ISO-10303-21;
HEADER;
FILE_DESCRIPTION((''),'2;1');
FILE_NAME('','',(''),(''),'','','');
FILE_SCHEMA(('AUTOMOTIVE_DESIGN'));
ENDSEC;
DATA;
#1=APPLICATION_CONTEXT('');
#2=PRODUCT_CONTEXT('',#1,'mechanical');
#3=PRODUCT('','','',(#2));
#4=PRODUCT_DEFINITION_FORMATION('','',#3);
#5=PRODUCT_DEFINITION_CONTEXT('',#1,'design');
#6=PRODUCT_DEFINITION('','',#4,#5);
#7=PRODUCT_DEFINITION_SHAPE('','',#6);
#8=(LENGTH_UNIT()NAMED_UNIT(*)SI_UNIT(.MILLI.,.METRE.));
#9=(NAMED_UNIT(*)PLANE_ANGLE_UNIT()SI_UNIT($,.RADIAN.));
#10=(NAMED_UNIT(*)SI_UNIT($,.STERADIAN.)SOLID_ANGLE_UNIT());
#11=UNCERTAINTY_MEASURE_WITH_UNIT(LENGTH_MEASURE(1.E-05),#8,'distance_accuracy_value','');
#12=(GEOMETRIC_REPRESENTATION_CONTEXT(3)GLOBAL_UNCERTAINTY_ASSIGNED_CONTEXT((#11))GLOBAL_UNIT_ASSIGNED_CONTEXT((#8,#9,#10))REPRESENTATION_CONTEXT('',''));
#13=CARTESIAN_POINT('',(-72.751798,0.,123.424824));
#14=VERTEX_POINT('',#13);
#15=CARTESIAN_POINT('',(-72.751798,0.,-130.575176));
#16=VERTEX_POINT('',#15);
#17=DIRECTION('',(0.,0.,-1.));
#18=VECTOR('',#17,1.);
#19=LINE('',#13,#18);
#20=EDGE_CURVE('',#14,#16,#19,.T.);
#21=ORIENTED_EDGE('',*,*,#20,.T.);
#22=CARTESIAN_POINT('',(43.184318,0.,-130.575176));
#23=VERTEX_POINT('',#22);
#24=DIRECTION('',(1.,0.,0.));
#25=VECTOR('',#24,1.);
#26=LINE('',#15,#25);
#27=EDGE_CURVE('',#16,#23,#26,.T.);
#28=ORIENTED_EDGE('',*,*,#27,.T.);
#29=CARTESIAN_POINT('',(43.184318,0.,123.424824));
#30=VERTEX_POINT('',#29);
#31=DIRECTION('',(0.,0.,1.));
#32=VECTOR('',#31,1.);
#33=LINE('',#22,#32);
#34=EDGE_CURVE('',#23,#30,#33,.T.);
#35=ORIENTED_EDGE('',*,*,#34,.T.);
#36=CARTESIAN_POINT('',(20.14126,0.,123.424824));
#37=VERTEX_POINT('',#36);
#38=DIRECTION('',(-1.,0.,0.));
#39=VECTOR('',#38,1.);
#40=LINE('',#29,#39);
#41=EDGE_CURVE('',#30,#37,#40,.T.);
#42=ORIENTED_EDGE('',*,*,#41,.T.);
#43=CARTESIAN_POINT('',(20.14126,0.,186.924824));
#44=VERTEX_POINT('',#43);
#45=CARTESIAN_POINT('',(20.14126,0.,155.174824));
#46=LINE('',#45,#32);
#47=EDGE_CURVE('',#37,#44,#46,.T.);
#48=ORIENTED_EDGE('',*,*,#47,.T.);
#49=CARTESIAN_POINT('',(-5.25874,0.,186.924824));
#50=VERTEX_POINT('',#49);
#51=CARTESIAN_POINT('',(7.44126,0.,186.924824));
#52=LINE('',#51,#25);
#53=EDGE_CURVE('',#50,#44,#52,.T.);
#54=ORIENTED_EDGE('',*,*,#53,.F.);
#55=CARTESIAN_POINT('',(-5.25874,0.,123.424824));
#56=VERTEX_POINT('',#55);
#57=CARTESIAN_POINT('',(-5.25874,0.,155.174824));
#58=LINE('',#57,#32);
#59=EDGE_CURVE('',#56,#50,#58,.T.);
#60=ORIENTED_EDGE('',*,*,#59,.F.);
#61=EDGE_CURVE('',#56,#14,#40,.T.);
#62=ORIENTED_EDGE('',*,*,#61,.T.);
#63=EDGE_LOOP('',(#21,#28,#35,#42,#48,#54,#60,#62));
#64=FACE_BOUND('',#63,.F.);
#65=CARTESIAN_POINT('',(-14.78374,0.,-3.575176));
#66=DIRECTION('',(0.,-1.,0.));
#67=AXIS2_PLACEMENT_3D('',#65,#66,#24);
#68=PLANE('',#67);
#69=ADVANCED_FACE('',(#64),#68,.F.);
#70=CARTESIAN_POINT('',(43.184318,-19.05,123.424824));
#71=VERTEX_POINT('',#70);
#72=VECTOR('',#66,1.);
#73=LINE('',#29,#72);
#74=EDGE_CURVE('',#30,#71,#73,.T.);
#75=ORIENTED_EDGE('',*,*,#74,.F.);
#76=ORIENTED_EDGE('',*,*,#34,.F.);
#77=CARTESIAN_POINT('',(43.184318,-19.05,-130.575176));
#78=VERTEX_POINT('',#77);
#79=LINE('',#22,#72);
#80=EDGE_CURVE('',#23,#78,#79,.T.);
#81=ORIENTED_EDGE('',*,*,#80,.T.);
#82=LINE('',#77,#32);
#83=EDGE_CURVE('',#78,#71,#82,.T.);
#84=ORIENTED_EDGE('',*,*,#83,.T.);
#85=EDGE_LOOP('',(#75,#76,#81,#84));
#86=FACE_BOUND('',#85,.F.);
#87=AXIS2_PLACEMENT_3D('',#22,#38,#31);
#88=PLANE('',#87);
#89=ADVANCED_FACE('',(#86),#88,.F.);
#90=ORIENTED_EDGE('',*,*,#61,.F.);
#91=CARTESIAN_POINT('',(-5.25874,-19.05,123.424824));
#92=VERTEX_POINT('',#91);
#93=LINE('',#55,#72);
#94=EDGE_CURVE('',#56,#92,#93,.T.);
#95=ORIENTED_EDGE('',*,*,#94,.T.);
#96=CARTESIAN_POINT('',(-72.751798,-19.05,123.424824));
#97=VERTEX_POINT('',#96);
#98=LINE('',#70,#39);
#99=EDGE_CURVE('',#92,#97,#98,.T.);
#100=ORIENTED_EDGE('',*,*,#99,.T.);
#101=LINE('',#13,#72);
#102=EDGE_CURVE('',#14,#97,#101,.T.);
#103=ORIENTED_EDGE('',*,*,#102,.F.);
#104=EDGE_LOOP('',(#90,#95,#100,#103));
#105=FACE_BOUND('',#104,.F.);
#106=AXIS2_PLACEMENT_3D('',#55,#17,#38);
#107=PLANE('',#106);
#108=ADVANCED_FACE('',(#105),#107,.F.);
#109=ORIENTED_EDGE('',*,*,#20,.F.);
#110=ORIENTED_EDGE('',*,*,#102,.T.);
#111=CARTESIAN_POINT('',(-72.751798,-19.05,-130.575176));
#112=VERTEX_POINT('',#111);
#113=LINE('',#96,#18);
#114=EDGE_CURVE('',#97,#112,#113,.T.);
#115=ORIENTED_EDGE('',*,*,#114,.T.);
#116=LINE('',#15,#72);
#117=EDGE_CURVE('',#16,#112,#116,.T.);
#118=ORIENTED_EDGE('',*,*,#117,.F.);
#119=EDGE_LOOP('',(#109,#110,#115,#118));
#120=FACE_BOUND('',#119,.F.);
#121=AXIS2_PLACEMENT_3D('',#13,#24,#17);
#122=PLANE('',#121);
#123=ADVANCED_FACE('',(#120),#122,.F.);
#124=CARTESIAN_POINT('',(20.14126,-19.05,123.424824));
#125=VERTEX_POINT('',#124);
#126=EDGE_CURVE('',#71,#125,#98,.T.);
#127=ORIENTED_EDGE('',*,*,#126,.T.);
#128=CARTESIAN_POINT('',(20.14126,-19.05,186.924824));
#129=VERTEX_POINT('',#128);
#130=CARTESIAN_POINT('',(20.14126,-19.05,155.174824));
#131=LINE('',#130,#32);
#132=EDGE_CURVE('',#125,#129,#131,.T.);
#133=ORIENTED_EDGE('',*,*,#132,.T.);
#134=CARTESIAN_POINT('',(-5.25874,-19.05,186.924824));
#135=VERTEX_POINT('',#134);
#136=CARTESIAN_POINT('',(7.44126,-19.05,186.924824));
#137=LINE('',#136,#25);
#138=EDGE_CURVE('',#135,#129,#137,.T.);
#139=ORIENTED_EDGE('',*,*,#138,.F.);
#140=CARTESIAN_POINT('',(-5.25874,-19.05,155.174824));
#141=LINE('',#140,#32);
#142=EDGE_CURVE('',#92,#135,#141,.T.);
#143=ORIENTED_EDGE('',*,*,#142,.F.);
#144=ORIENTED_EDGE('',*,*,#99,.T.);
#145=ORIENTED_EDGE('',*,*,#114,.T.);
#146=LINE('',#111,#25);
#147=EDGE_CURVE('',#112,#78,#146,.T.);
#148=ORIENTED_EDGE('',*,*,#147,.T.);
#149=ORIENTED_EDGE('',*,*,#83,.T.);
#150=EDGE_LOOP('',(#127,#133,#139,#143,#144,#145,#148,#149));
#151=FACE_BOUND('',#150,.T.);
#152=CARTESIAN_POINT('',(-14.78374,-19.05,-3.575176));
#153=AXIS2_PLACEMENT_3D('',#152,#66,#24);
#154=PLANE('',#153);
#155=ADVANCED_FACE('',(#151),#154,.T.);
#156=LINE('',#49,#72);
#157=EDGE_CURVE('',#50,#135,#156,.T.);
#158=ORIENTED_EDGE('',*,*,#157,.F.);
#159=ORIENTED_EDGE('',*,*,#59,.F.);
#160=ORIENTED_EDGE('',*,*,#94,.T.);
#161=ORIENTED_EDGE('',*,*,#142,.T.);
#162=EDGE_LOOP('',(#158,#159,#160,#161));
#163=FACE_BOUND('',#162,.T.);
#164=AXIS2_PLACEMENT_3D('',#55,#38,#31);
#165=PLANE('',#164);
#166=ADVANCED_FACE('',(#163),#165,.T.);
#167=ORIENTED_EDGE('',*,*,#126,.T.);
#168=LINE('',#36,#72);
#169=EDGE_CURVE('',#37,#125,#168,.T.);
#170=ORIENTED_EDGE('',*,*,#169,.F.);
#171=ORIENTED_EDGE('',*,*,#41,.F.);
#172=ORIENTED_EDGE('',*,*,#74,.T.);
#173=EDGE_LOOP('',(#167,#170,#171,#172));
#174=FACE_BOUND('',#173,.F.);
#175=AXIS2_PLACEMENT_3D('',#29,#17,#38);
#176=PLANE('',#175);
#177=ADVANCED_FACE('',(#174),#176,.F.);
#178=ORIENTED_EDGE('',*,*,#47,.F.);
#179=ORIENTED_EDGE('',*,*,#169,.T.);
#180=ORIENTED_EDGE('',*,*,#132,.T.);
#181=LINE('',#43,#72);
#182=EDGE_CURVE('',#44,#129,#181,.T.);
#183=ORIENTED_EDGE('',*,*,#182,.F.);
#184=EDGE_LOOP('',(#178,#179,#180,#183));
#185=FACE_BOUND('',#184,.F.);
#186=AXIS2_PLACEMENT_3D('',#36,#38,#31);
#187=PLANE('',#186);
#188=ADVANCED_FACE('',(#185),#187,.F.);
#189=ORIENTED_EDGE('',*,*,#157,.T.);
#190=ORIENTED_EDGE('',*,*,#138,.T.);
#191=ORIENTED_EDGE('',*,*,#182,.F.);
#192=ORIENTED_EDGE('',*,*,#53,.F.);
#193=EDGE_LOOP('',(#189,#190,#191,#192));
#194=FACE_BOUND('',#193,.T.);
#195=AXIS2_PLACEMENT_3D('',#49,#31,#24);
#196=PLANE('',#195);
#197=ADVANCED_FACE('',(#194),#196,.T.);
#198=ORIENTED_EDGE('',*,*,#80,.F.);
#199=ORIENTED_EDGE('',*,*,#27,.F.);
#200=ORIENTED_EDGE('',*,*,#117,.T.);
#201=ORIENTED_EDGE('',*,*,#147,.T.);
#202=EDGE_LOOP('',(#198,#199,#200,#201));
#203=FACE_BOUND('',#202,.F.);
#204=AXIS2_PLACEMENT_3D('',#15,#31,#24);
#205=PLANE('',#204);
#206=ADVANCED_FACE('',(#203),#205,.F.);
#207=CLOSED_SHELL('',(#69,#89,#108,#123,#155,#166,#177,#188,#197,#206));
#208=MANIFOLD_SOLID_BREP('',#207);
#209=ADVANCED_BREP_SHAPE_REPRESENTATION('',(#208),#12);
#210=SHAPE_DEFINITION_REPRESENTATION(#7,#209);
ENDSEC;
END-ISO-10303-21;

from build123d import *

# Parameters (mm, degrees)
F0_W     = 25.4
F0_H     = 63.5
F1_DEPTH = 19.05


with BuildPart() as f1:
    # F0 (on Front) → F1 (new body)
    with BuildSketch(Plane.XZ):
        Polygon((-53.701798, 123.424824), (-72.751798, 123.424824), (-72.751798, -130.575176), (-34.651798, -130.575176), (43.184318, -130.575176), (43.184318, 123.424824), (20.14126, 123.424824), (-5.25874, 123.424824), (-34.651798, 123.424824), align=None)
        with Locations((7.44126, 155.174824)):
            Rectangle(F0_W, F0_H)
    extrude(amount=F1_DEPTH)


solid = f1.part
